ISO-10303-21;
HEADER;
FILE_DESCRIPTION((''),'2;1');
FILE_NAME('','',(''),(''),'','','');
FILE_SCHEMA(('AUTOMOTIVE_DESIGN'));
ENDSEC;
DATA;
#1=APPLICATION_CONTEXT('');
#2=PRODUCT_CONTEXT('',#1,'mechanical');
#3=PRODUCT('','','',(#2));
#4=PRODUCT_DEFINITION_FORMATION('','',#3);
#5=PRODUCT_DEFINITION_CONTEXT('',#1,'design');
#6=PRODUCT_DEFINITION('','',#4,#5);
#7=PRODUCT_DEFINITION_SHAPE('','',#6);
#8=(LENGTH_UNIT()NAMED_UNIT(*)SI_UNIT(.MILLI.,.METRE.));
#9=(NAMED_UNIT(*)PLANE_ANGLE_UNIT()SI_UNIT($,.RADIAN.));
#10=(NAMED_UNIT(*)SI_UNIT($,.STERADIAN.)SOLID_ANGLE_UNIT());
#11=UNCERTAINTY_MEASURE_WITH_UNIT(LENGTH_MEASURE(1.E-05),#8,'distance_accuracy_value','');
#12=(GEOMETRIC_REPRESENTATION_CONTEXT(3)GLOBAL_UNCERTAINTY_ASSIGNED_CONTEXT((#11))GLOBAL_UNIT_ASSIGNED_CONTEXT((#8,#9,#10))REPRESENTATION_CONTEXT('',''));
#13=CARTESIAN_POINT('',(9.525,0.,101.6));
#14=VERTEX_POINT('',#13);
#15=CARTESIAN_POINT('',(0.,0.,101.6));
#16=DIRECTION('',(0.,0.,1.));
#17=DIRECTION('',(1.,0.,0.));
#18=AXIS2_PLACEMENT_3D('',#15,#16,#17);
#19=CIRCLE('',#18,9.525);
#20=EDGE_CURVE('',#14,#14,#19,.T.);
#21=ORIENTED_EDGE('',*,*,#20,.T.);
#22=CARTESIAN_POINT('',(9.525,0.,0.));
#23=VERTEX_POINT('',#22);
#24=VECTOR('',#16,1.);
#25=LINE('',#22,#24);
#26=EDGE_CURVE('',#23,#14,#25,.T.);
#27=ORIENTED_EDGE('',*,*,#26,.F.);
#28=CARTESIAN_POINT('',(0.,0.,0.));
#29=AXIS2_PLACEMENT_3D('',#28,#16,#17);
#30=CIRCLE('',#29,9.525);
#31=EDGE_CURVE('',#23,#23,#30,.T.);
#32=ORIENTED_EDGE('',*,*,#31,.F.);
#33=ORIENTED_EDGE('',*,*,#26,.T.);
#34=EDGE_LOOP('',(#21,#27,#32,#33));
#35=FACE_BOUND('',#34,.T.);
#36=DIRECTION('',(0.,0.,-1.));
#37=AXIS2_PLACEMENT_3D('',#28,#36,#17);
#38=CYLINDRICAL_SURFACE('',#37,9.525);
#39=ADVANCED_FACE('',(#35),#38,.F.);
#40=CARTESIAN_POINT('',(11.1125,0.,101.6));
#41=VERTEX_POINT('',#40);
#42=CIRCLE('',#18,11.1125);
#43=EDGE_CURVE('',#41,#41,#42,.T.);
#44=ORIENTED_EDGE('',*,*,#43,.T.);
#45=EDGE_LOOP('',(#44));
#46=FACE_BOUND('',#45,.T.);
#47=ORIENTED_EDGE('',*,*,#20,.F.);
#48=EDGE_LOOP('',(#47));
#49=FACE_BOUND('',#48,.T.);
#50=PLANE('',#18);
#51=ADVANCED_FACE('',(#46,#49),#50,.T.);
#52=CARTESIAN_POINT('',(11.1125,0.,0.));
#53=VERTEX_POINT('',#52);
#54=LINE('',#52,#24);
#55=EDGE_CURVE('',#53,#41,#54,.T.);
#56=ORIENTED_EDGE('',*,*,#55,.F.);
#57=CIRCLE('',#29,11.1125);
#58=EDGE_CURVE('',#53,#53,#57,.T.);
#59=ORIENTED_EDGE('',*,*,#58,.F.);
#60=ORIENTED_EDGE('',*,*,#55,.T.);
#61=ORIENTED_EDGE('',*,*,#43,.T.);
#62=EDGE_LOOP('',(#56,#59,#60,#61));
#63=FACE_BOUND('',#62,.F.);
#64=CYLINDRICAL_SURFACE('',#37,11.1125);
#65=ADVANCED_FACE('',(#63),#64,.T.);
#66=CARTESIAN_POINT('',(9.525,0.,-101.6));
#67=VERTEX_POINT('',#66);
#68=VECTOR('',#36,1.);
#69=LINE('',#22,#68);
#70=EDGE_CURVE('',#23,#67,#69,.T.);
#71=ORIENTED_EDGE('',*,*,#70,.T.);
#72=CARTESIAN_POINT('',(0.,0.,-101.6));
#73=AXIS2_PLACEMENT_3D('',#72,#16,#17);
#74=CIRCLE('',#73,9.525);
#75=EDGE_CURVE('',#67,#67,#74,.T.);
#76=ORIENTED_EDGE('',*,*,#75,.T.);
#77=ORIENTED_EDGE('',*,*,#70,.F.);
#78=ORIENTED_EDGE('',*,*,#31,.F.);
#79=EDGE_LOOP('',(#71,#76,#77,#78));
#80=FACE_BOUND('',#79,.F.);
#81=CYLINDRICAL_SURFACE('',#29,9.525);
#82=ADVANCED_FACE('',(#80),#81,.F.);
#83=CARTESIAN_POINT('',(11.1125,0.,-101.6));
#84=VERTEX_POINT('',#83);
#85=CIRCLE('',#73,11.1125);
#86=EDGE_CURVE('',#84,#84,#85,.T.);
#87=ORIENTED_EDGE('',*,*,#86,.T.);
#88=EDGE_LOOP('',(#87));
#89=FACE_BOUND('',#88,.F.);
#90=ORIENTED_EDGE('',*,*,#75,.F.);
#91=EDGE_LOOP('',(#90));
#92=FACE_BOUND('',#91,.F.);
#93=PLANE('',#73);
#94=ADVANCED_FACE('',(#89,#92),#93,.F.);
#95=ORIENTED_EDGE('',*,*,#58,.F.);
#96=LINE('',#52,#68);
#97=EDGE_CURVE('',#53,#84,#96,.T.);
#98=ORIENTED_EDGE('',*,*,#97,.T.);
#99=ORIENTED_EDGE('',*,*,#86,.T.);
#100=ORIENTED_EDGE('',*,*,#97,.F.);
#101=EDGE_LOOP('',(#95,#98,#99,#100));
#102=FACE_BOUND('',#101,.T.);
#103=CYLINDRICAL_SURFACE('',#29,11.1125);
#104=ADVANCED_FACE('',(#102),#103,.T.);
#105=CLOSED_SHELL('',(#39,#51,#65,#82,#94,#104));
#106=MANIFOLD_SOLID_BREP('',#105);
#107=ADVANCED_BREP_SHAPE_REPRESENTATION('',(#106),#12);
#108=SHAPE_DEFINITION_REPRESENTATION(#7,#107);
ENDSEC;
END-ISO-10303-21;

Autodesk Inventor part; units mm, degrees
ref_plane "YZ Plane" through (0, 0, 0) normal (1, 0, 0) x (0, 1, 0)
ref_plane "XZ Plane" through (0, 0, 0) normal (0, 1, 0) x (-1, 0, 0)
ref_plane "XY Plane" through (0, 0, 0) normal (0, 0, 1) x (1, 0, 0)
sketch "Sketch1" plane through (0, 0, 0) normal (0, 0, 1) x (1, 0, 0)
  circle A0 centre (0, 0) radius 11.1125
  circle A1 centre (0, 0) radius 9.525
  dimension "d0" = 22.225
  dimension "d1" = 1.5875
extrude "Extrusion1" add sketch "Sketch1" along normal mid plane 203.2
properties part number "EL2-C-004" material "Aluminum 6061"
